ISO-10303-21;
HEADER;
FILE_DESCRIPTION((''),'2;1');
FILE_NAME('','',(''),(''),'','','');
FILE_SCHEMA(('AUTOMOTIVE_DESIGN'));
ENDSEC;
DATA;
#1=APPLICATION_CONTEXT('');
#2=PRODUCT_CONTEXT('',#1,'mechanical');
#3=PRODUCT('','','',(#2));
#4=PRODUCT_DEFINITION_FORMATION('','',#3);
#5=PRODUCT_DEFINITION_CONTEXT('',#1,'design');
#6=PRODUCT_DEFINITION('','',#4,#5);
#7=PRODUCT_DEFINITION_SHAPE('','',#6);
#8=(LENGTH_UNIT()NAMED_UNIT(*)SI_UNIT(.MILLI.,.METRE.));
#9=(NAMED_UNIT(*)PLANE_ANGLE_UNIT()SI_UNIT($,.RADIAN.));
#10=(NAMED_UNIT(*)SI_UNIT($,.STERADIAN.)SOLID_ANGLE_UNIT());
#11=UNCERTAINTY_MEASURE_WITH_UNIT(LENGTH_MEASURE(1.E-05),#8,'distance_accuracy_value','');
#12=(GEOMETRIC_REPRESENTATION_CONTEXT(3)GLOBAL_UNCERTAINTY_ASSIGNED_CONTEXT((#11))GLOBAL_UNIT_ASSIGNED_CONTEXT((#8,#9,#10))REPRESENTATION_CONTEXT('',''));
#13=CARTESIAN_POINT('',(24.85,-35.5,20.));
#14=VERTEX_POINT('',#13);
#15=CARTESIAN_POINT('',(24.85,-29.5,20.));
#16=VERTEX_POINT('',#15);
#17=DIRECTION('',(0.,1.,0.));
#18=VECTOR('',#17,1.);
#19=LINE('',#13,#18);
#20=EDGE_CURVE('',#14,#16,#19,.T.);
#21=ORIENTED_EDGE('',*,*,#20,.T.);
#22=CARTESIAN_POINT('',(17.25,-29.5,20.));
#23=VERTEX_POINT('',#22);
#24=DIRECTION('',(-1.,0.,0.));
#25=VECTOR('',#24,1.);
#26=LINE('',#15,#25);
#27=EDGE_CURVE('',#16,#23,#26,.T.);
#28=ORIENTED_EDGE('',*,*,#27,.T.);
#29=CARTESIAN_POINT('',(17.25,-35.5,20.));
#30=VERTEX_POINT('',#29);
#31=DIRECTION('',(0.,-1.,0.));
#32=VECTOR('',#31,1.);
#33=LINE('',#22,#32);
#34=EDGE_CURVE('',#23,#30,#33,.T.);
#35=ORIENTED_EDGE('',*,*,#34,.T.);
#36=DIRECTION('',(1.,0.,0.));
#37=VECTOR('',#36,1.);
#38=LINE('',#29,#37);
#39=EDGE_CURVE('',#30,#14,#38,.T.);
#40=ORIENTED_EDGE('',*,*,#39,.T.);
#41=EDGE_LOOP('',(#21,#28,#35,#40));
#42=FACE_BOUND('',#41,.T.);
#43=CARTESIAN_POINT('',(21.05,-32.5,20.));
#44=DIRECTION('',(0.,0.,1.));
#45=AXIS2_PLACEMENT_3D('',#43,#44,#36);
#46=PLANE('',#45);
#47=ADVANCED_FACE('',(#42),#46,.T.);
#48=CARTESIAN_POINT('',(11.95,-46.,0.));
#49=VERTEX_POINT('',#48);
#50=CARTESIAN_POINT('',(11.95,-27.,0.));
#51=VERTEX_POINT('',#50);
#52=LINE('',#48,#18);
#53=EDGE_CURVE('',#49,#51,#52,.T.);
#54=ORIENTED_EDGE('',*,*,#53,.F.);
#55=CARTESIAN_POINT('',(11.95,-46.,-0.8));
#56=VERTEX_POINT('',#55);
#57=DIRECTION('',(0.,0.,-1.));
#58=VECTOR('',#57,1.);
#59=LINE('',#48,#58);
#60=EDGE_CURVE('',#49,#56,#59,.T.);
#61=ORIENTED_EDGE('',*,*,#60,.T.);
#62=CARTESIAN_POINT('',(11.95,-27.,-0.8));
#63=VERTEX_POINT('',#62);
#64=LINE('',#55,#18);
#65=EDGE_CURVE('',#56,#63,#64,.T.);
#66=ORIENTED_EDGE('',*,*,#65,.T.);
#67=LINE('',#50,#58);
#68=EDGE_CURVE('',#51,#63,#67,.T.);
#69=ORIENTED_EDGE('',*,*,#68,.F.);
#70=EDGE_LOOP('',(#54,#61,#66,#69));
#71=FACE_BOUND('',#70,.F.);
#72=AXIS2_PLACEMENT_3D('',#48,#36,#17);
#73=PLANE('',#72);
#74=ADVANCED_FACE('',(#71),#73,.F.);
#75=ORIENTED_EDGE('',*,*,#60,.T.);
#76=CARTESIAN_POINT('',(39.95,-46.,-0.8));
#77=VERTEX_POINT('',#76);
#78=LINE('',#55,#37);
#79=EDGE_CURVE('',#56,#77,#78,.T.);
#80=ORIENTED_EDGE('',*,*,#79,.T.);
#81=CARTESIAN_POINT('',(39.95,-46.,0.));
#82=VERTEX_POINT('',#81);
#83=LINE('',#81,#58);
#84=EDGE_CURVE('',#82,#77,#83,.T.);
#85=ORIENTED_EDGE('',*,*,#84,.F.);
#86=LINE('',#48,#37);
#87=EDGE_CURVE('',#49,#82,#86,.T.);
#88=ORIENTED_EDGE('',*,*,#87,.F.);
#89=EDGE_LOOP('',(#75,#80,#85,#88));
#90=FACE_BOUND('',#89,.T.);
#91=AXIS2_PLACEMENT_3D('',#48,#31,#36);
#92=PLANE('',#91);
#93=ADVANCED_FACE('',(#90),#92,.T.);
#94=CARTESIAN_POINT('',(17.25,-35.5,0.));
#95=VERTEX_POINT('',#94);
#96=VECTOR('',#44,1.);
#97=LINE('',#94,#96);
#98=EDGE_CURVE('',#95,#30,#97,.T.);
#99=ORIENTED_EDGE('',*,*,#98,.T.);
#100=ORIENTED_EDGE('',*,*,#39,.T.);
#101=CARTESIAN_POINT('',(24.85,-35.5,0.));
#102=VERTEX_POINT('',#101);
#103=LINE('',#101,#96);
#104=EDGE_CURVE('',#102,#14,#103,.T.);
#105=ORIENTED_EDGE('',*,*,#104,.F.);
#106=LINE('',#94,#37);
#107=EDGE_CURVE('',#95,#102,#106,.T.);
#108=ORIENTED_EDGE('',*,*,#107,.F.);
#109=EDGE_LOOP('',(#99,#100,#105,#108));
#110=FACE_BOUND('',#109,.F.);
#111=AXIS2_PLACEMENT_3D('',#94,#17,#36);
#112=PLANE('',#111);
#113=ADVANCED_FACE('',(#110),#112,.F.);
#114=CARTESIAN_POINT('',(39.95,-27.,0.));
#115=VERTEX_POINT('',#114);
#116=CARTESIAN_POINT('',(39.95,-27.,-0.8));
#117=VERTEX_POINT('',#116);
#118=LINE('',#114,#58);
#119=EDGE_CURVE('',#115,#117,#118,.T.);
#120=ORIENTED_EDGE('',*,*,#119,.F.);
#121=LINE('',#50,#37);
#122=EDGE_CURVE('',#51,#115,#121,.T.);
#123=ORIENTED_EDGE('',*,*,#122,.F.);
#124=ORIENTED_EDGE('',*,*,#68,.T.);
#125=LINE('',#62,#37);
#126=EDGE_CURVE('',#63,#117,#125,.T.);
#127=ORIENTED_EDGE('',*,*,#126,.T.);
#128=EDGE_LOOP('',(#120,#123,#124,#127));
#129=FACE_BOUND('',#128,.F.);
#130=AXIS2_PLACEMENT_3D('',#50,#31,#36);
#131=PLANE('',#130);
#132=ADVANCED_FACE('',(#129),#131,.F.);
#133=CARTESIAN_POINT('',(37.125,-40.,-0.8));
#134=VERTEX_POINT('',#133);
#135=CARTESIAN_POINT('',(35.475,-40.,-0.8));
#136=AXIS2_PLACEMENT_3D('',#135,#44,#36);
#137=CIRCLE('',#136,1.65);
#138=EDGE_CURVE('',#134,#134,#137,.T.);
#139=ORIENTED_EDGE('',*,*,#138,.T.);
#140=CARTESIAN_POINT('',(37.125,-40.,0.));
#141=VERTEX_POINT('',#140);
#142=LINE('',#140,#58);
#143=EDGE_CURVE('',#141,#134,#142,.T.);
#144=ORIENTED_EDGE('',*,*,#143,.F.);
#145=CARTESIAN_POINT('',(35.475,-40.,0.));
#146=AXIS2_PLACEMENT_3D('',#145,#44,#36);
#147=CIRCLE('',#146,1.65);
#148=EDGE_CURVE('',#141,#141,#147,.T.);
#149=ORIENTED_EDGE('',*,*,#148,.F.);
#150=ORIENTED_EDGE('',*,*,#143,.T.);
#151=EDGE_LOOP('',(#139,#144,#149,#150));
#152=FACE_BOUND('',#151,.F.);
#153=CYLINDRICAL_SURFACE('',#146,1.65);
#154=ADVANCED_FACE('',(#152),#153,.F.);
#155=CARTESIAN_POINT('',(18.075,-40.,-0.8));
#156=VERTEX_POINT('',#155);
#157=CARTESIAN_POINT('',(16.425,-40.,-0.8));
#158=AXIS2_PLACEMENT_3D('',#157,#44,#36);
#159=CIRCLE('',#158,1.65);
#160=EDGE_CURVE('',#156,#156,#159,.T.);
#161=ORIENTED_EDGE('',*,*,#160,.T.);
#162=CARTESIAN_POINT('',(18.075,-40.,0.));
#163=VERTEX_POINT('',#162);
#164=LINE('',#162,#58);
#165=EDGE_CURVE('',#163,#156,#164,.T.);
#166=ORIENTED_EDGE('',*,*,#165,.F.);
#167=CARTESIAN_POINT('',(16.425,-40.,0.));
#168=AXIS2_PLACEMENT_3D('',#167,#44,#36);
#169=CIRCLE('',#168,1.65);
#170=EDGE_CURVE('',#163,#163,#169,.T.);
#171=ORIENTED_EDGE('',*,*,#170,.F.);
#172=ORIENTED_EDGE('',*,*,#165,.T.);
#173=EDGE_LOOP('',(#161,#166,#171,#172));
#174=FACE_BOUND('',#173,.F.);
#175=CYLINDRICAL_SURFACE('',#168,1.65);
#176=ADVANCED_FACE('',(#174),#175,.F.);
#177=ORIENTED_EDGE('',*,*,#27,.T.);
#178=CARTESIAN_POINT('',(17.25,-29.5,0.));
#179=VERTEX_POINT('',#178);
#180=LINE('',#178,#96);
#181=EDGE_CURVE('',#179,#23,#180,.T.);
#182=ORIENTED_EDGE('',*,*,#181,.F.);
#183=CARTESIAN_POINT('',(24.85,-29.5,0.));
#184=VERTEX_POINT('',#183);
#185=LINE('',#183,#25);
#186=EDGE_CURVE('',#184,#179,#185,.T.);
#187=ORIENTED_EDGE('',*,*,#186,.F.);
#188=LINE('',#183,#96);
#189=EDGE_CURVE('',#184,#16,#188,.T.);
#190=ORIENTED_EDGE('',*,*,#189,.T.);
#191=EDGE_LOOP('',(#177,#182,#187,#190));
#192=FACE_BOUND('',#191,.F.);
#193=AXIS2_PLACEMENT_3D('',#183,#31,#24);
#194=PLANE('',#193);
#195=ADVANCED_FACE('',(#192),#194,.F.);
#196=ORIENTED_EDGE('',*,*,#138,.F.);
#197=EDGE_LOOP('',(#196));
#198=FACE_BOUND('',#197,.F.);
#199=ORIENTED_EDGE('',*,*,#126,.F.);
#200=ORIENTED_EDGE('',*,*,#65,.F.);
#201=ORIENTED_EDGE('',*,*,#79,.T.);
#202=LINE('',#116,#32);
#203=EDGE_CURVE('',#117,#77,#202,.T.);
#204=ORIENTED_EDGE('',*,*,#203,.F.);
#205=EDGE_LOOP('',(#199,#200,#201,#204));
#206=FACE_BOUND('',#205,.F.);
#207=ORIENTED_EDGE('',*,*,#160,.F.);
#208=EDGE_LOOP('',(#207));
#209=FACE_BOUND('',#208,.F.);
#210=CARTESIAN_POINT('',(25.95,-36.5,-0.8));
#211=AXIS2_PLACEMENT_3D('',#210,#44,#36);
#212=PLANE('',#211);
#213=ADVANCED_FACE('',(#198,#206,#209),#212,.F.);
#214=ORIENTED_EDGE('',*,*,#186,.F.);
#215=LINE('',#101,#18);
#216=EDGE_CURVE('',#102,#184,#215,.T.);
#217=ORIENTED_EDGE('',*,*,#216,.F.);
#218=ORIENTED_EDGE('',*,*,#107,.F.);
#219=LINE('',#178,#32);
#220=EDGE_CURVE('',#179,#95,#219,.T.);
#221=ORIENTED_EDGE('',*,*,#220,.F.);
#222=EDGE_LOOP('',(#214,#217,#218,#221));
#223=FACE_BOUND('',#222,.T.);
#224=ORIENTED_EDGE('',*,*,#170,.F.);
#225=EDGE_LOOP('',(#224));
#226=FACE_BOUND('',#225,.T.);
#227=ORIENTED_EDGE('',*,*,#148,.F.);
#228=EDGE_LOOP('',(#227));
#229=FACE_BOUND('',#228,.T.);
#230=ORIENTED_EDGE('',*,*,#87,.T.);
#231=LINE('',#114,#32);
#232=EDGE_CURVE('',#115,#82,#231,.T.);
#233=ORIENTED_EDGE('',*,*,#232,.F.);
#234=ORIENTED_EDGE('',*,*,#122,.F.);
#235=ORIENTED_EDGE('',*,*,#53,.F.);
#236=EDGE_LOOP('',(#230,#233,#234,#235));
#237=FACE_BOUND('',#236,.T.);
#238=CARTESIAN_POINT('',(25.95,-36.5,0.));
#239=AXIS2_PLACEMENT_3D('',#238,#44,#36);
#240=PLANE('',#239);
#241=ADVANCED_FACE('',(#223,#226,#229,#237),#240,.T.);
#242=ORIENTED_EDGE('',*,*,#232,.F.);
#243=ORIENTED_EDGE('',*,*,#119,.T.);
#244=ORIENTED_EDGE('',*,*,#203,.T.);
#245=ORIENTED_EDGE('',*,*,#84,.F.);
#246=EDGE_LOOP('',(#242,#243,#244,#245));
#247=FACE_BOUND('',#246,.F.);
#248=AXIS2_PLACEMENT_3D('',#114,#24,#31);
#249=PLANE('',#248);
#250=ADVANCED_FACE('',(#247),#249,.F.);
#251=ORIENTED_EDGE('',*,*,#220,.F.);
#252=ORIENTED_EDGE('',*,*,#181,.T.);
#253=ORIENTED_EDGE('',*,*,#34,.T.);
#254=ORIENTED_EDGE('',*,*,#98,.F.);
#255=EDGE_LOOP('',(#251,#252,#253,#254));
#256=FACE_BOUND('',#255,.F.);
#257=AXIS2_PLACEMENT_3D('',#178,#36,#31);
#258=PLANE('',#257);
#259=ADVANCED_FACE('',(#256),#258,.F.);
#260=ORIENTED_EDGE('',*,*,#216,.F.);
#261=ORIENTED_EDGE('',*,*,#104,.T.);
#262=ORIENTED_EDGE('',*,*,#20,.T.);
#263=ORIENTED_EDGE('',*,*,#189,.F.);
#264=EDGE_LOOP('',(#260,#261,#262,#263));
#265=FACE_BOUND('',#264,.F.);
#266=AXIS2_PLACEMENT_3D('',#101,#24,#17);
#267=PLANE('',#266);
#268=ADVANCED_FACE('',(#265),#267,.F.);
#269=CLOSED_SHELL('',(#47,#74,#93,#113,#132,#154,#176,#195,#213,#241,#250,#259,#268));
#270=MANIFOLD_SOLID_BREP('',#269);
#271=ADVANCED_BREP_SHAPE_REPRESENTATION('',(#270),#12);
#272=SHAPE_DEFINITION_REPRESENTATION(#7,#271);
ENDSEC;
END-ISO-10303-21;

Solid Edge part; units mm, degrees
sketch "Sketch1" plane through (0, 0, 0) normal (0, 0, 1) x (1, 0, 0)
  circle A0 centre (35.475, -40) radius 1.65
  circle A1 centre (16.425, -40) radius 1.65
  line L0 (11.95, -46) -> (39.95, -46)
  line L1 (39.95, -27) -> (39.95, -46)
  line L2 (11.95, -27) -> (39.95, -27)
  line L3 (11.95, -46) -> (11.95, -27)
  dimension "D1" = 19.05
extrude "Protrusion1" add sketch "Sketch1" against normal blind 0.8
sketch "Sketch2" plane through (25.95, -36.5, 0) normal (0, 0, 1) x (1, 0, 0)
  line L0 (-8.7, 1) -> (-1.1, 1)
  line L1 (-1.1, 1) -> (-1.1, 7)
  line L2 (-1.1, 7) -> (-8.7, 7)
  line L3 (-8.7, 7) -> (-8.7, 1)
  dimension "D1" = 6
  dimension "D2" = 7.6
  dimension "D3" = 2.5
  dimension "D4" = 5.3
extrude "ExtrudedProtrusion_2" add sketch "Sketch2" along normal blind 20
